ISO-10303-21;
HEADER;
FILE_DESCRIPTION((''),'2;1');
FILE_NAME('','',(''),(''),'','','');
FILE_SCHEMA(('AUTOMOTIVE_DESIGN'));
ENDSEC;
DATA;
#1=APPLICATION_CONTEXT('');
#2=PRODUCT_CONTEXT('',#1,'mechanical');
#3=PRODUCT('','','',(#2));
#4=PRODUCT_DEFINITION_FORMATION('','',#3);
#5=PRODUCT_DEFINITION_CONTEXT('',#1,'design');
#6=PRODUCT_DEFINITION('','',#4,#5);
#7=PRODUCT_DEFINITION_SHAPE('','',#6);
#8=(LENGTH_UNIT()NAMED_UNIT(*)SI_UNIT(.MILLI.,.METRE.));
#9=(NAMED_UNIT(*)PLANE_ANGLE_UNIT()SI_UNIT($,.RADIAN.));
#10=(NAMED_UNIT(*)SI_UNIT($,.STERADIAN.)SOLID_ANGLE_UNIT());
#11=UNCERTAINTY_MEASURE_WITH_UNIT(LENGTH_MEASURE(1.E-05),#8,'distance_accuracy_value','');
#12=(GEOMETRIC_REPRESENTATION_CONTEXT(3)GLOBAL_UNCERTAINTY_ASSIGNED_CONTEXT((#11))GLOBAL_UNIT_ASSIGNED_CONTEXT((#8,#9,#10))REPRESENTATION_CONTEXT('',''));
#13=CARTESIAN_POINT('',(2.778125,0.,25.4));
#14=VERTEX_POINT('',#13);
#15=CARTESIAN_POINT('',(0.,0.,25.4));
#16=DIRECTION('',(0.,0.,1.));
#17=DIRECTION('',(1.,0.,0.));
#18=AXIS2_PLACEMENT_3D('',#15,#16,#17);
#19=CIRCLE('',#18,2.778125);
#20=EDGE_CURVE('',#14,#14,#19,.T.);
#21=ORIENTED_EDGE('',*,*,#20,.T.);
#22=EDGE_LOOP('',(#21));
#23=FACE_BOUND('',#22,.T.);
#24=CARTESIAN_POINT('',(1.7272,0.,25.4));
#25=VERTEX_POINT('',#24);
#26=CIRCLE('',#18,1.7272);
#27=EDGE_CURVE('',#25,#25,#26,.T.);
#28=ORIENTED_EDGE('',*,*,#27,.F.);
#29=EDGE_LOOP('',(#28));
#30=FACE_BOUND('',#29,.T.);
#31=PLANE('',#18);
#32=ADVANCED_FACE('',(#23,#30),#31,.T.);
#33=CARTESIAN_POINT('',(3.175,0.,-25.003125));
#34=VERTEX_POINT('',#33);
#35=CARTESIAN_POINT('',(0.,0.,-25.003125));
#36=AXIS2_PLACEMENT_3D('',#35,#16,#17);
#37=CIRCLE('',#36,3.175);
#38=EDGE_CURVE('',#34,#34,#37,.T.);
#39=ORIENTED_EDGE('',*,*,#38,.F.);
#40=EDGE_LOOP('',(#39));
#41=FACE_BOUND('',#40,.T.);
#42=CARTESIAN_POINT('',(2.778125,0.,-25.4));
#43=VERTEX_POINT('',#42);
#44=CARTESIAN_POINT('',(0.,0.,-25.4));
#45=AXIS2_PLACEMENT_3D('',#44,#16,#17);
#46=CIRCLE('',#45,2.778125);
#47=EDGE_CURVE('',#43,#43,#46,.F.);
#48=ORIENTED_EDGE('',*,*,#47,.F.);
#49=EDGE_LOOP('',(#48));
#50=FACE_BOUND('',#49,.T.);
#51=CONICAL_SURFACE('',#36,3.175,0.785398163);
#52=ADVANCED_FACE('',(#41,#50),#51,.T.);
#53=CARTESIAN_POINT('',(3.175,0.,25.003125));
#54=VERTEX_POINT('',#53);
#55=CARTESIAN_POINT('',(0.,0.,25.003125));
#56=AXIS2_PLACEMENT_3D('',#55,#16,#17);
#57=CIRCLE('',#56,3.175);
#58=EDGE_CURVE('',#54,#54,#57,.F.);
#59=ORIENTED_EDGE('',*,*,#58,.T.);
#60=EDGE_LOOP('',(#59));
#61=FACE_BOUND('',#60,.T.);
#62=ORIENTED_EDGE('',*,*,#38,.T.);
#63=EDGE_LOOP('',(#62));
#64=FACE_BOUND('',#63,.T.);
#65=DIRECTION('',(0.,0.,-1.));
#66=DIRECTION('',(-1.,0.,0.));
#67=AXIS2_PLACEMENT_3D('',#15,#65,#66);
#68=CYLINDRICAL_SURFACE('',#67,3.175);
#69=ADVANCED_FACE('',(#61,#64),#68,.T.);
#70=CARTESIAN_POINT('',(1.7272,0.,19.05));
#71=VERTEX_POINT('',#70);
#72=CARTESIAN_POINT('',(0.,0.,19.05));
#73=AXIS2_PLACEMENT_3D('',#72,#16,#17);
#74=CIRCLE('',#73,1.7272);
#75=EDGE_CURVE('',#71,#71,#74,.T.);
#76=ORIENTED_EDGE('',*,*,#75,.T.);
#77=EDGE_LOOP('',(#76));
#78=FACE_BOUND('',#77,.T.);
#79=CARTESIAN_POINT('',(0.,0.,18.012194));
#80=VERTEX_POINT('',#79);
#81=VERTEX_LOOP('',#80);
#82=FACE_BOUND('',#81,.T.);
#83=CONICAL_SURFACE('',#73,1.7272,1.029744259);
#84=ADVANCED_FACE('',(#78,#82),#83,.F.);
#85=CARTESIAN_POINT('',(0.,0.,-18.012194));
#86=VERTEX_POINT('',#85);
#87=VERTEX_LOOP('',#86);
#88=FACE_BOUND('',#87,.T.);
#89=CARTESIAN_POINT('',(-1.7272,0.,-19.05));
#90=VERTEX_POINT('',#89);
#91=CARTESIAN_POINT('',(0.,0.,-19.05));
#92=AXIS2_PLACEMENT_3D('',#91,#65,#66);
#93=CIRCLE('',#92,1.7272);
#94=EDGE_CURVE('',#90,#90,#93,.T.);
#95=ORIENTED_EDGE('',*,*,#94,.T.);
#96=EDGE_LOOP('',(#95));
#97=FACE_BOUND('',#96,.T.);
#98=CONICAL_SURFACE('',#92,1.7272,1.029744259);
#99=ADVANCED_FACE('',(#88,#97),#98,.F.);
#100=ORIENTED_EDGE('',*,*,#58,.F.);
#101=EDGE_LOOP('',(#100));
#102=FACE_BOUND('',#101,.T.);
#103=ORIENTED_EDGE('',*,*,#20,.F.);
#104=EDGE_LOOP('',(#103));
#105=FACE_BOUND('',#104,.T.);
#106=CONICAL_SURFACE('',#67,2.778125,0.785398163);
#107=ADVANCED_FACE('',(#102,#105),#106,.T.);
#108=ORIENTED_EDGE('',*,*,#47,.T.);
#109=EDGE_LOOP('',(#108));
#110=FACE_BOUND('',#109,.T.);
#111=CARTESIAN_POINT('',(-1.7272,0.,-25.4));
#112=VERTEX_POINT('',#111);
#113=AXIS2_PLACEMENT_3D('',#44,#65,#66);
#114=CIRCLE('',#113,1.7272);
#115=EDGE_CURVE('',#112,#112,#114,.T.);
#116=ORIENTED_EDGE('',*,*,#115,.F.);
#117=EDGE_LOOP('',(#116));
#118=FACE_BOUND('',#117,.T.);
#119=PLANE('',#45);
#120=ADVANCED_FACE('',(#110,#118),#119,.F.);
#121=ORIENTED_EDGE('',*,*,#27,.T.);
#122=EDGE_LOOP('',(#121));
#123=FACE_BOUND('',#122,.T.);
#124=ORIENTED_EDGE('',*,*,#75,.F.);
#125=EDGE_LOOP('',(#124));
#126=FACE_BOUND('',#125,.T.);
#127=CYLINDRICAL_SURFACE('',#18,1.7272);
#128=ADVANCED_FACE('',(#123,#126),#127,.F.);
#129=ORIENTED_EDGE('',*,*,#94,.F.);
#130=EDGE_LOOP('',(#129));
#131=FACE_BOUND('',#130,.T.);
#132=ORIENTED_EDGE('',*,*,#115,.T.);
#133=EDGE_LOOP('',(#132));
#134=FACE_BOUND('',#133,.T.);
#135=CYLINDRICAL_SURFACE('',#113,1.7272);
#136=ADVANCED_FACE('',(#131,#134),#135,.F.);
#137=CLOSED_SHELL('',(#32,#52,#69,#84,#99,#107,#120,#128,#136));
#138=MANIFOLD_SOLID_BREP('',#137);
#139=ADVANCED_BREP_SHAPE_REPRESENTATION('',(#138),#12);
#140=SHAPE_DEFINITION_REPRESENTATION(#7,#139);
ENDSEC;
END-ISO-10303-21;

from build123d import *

# Parameters (mm, degrees)
SKETCH1_R                               = 3.175
BOSS_EXTRUDE1_DEPTH                     = 25.4
TAP_DRILL_FOR_8_32_TAP1_D               = 3.4544
TAP_DRILL_FOR_8_32_TAP1_DEPTH           = 6.35
TAP_DRILL_FOR_8_32_TAP1_TIP             = 1.037806461
TAP_DRILL_FOR_8_32_TAP1_ON_FACE_2_D     = 3.4544
TAP_DRILL_FOR_8_32_TAP1_ON_FACE_2_DEPTH = 6.35
TAP_DRILL_FOR_8_32_TAP1_ON_FACE_2_TIP   = 1.037806461
CHAMFER1_SIZE                           = 0.396875


with BuildPart() as part:
    # Sketch1 → Boss-Extrude1 (new, symmetric)
    with BuildSketch(Plane.XY):
        Circle(SKETCH1_R)
    extrude(amount=BOSS_EXTRUDE1_DEPTH, both=True)

    # Tap Drill for #8-32 Tap1
    with Locations(Plane.XY.offset(25.4)):
        with Locations((0, 0)):
            Hole(TAP_DRILL_FOR_8_32_TAP1_D / 2, depth=TAP_DRILL_FOR_8_32_TAP1_DEPTH)
            with Locations((0, 0, -(TAP_DRILL_FOR_8_32_TAP1_DEPTH + TAP_DRILL_FOR_8_32_TAP1_TIP / 2))):  # 118° drill point
                Cone(0, TAP_DRILL_FOR_8_32_TAP1_D / 2, TAP_DRILL_FOR_8_32_TAP1_TIP, mode=Mode.SUBTRACT)

    # Tap Drill for #8-32 Tap1 on face 2
    with Locations(Plane(origin=(0, 0, -25.4), x_dir=(-1, 0, 0), z_dir=(0, 0, -1))):
        with Locations((0, 0)):
            Hole(TAP_DRILL_FOR_8_32_TAP1_ON_FACE_2_D / 2, depth=TAP_DRILL_FOR_8_32_TAP1_ON_FACE_2_DEPTH)
            with Locations((0, 0, -(TAP_DRILL_FOR_8_32_TAP1_ON_FACE_2_DEPTH + TAP_DRILL_FOR_8_32_TAP1_ON_FACE_2_TIP / 2))):  # 118° drill point
                Cone(0, TAP_DRILL_FOR_8_32_TAP1_ON_FACE_2_D / 2, TAP_DRILL_FOR_8_32_TAP1_ON_FACE_2_TIP, mode=Mode.SUBTRACT)

    # Chamfer1
    chamfer1_edges = [part.edges().sort_by_distance(p)[0] for p in [
        (-3.175, 0, -25.4),
        (-3.175, 0, 25.4),
    ]]
    chamfer(chamfer1_edges, length=CHAMFER1_SIZE)


solid = part.part
